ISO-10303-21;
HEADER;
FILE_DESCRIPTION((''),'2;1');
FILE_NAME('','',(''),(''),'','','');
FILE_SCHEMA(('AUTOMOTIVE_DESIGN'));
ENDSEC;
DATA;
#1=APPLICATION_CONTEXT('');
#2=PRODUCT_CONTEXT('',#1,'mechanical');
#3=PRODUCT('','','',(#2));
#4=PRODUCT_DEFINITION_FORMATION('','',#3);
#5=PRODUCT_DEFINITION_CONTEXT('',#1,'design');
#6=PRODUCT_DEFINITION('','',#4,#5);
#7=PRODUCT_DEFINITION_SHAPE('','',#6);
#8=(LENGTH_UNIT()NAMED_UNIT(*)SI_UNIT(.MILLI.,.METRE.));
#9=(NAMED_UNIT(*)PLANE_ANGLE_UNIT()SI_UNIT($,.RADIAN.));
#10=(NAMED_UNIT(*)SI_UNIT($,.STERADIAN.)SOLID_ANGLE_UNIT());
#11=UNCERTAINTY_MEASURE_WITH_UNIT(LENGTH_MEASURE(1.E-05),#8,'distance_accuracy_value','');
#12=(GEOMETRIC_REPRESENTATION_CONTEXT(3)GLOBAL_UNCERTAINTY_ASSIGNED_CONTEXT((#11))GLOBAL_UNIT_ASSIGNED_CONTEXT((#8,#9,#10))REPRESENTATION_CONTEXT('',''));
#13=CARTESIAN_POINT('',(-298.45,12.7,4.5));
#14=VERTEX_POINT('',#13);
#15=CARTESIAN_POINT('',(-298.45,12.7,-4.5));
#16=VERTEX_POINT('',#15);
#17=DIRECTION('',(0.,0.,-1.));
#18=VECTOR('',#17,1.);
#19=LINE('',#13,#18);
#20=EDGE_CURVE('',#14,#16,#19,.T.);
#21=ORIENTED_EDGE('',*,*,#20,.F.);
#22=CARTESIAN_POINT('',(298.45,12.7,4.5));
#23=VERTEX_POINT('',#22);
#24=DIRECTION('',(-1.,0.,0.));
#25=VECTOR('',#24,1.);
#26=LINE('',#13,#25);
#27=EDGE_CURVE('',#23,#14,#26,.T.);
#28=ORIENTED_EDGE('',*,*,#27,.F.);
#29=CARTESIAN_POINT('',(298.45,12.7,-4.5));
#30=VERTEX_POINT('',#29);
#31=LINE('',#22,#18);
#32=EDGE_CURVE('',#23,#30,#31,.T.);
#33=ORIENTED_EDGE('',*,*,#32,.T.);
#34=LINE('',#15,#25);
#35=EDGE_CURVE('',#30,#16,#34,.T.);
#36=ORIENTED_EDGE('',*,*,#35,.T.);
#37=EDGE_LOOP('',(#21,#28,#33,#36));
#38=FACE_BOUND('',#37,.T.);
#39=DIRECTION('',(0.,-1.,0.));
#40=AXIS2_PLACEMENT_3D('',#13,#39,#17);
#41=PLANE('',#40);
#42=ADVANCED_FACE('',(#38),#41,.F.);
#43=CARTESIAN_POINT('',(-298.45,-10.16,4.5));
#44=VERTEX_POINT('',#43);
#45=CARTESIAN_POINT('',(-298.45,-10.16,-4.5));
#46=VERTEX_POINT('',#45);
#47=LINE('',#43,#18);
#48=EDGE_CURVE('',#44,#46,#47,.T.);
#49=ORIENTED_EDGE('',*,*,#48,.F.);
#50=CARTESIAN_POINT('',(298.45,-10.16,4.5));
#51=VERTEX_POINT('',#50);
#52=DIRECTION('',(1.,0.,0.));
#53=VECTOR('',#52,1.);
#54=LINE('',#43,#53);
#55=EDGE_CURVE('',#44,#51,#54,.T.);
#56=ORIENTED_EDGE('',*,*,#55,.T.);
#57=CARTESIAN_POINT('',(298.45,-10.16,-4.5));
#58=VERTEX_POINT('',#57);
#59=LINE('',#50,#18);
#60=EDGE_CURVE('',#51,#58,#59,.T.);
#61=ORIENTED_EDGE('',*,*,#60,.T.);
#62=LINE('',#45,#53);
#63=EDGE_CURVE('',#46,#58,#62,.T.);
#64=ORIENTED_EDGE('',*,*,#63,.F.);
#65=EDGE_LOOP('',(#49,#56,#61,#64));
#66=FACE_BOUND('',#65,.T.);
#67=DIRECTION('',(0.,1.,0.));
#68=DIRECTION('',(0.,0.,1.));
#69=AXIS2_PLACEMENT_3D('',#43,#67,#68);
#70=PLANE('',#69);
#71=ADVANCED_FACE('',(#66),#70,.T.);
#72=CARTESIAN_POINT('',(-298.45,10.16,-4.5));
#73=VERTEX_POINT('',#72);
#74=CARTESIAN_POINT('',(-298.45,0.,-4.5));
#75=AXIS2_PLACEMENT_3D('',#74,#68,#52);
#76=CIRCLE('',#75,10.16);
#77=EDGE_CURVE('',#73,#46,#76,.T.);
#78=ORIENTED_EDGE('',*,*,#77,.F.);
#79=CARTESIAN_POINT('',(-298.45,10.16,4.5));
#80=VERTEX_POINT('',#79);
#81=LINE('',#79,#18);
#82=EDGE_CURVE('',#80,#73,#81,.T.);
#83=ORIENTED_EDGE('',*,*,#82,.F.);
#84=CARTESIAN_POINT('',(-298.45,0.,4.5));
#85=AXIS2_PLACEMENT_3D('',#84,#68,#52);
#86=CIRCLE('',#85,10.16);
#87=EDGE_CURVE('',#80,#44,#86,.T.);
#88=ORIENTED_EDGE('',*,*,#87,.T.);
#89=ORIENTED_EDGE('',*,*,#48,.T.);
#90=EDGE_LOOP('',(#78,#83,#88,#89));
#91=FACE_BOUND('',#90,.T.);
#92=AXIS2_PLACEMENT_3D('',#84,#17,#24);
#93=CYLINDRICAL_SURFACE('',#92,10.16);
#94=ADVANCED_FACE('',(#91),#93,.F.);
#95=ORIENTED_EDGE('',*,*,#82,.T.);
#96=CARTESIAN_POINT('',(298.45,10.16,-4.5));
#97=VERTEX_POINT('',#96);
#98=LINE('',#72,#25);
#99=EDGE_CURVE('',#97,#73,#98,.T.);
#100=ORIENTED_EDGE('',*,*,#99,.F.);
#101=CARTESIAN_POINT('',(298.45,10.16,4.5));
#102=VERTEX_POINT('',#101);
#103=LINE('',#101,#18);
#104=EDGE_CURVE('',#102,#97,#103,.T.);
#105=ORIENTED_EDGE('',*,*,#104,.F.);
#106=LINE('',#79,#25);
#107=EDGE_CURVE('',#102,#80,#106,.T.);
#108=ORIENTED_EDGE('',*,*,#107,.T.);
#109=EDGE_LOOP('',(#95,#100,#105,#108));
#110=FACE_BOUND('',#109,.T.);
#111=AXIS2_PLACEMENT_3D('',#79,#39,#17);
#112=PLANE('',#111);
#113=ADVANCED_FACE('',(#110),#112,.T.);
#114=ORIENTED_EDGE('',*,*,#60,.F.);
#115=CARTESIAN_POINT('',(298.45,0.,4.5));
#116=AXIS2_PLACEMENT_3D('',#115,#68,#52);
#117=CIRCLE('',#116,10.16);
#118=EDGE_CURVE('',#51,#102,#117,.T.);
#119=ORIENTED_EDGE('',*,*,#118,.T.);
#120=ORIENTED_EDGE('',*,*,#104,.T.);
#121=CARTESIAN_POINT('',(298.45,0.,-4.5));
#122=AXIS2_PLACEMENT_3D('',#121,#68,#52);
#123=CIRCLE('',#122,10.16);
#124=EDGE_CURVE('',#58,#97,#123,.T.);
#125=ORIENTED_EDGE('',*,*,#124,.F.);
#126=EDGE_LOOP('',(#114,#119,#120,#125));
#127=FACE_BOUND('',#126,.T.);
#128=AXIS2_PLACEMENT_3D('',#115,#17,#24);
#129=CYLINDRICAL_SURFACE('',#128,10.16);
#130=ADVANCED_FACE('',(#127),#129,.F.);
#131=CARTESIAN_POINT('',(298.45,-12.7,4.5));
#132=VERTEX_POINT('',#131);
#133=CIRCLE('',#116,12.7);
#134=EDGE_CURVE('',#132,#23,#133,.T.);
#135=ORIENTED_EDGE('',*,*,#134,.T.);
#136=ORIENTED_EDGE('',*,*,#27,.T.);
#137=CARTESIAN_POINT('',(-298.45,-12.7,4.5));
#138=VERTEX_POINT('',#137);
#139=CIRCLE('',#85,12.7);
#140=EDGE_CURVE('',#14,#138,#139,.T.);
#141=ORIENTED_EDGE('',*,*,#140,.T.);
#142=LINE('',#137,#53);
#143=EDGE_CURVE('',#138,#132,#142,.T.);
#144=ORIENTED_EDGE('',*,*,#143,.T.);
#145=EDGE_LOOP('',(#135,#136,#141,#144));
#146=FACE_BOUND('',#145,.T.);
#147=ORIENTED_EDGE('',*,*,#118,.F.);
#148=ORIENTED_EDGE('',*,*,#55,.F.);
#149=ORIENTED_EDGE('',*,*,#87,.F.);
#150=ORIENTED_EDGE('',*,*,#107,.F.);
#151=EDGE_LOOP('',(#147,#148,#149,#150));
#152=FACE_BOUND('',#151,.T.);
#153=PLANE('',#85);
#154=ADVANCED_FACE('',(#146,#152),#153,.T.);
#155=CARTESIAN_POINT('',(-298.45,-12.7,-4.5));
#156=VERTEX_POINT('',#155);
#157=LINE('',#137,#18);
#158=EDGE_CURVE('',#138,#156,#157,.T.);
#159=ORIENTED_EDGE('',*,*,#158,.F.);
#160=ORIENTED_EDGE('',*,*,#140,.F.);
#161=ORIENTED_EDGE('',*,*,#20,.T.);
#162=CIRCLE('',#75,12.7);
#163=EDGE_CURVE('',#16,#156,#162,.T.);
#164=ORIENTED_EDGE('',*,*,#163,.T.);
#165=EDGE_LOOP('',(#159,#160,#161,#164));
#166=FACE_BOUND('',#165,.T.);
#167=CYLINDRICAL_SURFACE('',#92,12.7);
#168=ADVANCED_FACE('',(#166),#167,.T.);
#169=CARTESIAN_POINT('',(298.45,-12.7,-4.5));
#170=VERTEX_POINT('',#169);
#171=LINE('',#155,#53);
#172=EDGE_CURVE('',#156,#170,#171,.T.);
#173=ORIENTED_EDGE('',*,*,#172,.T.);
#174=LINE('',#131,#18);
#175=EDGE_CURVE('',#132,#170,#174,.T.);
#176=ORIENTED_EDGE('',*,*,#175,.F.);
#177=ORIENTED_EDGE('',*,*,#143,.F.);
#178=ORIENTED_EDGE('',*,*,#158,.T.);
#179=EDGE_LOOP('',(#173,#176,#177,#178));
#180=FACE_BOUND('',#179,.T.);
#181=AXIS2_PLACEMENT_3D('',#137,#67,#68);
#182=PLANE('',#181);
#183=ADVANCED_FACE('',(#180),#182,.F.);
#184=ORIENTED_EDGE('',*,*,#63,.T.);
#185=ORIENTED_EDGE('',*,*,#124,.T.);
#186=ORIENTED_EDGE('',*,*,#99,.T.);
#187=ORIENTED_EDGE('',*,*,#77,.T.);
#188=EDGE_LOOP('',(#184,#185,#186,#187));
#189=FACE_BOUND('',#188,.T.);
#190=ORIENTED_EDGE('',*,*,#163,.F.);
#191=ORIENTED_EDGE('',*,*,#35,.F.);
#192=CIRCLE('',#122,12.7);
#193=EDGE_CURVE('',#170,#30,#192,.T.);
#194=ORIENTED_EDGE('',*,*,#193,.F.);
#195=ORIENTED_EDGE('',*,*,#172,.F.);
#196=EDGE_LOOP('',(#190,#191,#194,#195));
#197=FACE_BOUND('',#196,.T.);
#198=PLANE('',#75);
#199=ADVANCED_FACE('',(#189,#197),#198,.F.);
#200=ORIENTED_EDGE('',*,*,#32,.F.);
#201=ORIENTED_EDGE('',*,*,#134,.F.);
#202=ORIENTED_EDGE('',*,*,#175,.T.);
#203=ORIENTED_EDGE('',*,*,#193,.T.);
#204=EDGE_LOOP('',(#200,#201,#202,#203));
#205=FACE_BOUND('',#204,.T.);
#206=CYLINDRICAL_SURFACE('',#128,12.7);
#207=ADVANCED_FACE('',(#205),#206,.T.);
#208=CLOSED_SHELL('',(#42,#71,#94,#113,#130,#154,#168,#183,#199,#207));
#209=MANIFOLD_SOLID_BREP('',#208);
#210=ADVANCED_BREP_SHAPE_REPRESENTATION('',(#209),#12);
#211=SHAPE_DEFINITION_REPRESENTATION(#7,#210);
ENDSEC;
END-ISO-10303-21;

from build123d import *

# Parameters (mm, degrees)
EXTRUDE_THIN1_DEPTH = 4.5


with BuildPart() as part:
    # Sketch1 → Extrude-Thin1 (new, symmetric)
    with BuildSketch(Plane.XY):
        with BuildLine():
            Line((298.45, -12.7), (-298.45, -12.7))
            ThreePointArc((-298.45, -12.7), (-311.15, 0), (-298.45, 12.7))
            Line((-298.45, 12.7), (298.45, 12.7))
            ThreePointArc((298.45, 12.7), (311.15, 0), (298.45, -12.7))
        make_face()
        with BuildLine():
            Line((298.45, -10.16), (-298.45, -10.16))
            ThreePointArc((-298.45, -10.16), (-308.61, 0), (-298.45, 10.16))
            Line((-298.45, 10.16), (298.45, 10.16))
            ThreePointArc((298.45, 10.16), (308.61, 0), (298.45, -10.16))
        make_face(mode=Mode.SUBTRACT)
    extrude(amount=EXTRUDE_THIN1_DEPTH, both=True)


solid = part.part
